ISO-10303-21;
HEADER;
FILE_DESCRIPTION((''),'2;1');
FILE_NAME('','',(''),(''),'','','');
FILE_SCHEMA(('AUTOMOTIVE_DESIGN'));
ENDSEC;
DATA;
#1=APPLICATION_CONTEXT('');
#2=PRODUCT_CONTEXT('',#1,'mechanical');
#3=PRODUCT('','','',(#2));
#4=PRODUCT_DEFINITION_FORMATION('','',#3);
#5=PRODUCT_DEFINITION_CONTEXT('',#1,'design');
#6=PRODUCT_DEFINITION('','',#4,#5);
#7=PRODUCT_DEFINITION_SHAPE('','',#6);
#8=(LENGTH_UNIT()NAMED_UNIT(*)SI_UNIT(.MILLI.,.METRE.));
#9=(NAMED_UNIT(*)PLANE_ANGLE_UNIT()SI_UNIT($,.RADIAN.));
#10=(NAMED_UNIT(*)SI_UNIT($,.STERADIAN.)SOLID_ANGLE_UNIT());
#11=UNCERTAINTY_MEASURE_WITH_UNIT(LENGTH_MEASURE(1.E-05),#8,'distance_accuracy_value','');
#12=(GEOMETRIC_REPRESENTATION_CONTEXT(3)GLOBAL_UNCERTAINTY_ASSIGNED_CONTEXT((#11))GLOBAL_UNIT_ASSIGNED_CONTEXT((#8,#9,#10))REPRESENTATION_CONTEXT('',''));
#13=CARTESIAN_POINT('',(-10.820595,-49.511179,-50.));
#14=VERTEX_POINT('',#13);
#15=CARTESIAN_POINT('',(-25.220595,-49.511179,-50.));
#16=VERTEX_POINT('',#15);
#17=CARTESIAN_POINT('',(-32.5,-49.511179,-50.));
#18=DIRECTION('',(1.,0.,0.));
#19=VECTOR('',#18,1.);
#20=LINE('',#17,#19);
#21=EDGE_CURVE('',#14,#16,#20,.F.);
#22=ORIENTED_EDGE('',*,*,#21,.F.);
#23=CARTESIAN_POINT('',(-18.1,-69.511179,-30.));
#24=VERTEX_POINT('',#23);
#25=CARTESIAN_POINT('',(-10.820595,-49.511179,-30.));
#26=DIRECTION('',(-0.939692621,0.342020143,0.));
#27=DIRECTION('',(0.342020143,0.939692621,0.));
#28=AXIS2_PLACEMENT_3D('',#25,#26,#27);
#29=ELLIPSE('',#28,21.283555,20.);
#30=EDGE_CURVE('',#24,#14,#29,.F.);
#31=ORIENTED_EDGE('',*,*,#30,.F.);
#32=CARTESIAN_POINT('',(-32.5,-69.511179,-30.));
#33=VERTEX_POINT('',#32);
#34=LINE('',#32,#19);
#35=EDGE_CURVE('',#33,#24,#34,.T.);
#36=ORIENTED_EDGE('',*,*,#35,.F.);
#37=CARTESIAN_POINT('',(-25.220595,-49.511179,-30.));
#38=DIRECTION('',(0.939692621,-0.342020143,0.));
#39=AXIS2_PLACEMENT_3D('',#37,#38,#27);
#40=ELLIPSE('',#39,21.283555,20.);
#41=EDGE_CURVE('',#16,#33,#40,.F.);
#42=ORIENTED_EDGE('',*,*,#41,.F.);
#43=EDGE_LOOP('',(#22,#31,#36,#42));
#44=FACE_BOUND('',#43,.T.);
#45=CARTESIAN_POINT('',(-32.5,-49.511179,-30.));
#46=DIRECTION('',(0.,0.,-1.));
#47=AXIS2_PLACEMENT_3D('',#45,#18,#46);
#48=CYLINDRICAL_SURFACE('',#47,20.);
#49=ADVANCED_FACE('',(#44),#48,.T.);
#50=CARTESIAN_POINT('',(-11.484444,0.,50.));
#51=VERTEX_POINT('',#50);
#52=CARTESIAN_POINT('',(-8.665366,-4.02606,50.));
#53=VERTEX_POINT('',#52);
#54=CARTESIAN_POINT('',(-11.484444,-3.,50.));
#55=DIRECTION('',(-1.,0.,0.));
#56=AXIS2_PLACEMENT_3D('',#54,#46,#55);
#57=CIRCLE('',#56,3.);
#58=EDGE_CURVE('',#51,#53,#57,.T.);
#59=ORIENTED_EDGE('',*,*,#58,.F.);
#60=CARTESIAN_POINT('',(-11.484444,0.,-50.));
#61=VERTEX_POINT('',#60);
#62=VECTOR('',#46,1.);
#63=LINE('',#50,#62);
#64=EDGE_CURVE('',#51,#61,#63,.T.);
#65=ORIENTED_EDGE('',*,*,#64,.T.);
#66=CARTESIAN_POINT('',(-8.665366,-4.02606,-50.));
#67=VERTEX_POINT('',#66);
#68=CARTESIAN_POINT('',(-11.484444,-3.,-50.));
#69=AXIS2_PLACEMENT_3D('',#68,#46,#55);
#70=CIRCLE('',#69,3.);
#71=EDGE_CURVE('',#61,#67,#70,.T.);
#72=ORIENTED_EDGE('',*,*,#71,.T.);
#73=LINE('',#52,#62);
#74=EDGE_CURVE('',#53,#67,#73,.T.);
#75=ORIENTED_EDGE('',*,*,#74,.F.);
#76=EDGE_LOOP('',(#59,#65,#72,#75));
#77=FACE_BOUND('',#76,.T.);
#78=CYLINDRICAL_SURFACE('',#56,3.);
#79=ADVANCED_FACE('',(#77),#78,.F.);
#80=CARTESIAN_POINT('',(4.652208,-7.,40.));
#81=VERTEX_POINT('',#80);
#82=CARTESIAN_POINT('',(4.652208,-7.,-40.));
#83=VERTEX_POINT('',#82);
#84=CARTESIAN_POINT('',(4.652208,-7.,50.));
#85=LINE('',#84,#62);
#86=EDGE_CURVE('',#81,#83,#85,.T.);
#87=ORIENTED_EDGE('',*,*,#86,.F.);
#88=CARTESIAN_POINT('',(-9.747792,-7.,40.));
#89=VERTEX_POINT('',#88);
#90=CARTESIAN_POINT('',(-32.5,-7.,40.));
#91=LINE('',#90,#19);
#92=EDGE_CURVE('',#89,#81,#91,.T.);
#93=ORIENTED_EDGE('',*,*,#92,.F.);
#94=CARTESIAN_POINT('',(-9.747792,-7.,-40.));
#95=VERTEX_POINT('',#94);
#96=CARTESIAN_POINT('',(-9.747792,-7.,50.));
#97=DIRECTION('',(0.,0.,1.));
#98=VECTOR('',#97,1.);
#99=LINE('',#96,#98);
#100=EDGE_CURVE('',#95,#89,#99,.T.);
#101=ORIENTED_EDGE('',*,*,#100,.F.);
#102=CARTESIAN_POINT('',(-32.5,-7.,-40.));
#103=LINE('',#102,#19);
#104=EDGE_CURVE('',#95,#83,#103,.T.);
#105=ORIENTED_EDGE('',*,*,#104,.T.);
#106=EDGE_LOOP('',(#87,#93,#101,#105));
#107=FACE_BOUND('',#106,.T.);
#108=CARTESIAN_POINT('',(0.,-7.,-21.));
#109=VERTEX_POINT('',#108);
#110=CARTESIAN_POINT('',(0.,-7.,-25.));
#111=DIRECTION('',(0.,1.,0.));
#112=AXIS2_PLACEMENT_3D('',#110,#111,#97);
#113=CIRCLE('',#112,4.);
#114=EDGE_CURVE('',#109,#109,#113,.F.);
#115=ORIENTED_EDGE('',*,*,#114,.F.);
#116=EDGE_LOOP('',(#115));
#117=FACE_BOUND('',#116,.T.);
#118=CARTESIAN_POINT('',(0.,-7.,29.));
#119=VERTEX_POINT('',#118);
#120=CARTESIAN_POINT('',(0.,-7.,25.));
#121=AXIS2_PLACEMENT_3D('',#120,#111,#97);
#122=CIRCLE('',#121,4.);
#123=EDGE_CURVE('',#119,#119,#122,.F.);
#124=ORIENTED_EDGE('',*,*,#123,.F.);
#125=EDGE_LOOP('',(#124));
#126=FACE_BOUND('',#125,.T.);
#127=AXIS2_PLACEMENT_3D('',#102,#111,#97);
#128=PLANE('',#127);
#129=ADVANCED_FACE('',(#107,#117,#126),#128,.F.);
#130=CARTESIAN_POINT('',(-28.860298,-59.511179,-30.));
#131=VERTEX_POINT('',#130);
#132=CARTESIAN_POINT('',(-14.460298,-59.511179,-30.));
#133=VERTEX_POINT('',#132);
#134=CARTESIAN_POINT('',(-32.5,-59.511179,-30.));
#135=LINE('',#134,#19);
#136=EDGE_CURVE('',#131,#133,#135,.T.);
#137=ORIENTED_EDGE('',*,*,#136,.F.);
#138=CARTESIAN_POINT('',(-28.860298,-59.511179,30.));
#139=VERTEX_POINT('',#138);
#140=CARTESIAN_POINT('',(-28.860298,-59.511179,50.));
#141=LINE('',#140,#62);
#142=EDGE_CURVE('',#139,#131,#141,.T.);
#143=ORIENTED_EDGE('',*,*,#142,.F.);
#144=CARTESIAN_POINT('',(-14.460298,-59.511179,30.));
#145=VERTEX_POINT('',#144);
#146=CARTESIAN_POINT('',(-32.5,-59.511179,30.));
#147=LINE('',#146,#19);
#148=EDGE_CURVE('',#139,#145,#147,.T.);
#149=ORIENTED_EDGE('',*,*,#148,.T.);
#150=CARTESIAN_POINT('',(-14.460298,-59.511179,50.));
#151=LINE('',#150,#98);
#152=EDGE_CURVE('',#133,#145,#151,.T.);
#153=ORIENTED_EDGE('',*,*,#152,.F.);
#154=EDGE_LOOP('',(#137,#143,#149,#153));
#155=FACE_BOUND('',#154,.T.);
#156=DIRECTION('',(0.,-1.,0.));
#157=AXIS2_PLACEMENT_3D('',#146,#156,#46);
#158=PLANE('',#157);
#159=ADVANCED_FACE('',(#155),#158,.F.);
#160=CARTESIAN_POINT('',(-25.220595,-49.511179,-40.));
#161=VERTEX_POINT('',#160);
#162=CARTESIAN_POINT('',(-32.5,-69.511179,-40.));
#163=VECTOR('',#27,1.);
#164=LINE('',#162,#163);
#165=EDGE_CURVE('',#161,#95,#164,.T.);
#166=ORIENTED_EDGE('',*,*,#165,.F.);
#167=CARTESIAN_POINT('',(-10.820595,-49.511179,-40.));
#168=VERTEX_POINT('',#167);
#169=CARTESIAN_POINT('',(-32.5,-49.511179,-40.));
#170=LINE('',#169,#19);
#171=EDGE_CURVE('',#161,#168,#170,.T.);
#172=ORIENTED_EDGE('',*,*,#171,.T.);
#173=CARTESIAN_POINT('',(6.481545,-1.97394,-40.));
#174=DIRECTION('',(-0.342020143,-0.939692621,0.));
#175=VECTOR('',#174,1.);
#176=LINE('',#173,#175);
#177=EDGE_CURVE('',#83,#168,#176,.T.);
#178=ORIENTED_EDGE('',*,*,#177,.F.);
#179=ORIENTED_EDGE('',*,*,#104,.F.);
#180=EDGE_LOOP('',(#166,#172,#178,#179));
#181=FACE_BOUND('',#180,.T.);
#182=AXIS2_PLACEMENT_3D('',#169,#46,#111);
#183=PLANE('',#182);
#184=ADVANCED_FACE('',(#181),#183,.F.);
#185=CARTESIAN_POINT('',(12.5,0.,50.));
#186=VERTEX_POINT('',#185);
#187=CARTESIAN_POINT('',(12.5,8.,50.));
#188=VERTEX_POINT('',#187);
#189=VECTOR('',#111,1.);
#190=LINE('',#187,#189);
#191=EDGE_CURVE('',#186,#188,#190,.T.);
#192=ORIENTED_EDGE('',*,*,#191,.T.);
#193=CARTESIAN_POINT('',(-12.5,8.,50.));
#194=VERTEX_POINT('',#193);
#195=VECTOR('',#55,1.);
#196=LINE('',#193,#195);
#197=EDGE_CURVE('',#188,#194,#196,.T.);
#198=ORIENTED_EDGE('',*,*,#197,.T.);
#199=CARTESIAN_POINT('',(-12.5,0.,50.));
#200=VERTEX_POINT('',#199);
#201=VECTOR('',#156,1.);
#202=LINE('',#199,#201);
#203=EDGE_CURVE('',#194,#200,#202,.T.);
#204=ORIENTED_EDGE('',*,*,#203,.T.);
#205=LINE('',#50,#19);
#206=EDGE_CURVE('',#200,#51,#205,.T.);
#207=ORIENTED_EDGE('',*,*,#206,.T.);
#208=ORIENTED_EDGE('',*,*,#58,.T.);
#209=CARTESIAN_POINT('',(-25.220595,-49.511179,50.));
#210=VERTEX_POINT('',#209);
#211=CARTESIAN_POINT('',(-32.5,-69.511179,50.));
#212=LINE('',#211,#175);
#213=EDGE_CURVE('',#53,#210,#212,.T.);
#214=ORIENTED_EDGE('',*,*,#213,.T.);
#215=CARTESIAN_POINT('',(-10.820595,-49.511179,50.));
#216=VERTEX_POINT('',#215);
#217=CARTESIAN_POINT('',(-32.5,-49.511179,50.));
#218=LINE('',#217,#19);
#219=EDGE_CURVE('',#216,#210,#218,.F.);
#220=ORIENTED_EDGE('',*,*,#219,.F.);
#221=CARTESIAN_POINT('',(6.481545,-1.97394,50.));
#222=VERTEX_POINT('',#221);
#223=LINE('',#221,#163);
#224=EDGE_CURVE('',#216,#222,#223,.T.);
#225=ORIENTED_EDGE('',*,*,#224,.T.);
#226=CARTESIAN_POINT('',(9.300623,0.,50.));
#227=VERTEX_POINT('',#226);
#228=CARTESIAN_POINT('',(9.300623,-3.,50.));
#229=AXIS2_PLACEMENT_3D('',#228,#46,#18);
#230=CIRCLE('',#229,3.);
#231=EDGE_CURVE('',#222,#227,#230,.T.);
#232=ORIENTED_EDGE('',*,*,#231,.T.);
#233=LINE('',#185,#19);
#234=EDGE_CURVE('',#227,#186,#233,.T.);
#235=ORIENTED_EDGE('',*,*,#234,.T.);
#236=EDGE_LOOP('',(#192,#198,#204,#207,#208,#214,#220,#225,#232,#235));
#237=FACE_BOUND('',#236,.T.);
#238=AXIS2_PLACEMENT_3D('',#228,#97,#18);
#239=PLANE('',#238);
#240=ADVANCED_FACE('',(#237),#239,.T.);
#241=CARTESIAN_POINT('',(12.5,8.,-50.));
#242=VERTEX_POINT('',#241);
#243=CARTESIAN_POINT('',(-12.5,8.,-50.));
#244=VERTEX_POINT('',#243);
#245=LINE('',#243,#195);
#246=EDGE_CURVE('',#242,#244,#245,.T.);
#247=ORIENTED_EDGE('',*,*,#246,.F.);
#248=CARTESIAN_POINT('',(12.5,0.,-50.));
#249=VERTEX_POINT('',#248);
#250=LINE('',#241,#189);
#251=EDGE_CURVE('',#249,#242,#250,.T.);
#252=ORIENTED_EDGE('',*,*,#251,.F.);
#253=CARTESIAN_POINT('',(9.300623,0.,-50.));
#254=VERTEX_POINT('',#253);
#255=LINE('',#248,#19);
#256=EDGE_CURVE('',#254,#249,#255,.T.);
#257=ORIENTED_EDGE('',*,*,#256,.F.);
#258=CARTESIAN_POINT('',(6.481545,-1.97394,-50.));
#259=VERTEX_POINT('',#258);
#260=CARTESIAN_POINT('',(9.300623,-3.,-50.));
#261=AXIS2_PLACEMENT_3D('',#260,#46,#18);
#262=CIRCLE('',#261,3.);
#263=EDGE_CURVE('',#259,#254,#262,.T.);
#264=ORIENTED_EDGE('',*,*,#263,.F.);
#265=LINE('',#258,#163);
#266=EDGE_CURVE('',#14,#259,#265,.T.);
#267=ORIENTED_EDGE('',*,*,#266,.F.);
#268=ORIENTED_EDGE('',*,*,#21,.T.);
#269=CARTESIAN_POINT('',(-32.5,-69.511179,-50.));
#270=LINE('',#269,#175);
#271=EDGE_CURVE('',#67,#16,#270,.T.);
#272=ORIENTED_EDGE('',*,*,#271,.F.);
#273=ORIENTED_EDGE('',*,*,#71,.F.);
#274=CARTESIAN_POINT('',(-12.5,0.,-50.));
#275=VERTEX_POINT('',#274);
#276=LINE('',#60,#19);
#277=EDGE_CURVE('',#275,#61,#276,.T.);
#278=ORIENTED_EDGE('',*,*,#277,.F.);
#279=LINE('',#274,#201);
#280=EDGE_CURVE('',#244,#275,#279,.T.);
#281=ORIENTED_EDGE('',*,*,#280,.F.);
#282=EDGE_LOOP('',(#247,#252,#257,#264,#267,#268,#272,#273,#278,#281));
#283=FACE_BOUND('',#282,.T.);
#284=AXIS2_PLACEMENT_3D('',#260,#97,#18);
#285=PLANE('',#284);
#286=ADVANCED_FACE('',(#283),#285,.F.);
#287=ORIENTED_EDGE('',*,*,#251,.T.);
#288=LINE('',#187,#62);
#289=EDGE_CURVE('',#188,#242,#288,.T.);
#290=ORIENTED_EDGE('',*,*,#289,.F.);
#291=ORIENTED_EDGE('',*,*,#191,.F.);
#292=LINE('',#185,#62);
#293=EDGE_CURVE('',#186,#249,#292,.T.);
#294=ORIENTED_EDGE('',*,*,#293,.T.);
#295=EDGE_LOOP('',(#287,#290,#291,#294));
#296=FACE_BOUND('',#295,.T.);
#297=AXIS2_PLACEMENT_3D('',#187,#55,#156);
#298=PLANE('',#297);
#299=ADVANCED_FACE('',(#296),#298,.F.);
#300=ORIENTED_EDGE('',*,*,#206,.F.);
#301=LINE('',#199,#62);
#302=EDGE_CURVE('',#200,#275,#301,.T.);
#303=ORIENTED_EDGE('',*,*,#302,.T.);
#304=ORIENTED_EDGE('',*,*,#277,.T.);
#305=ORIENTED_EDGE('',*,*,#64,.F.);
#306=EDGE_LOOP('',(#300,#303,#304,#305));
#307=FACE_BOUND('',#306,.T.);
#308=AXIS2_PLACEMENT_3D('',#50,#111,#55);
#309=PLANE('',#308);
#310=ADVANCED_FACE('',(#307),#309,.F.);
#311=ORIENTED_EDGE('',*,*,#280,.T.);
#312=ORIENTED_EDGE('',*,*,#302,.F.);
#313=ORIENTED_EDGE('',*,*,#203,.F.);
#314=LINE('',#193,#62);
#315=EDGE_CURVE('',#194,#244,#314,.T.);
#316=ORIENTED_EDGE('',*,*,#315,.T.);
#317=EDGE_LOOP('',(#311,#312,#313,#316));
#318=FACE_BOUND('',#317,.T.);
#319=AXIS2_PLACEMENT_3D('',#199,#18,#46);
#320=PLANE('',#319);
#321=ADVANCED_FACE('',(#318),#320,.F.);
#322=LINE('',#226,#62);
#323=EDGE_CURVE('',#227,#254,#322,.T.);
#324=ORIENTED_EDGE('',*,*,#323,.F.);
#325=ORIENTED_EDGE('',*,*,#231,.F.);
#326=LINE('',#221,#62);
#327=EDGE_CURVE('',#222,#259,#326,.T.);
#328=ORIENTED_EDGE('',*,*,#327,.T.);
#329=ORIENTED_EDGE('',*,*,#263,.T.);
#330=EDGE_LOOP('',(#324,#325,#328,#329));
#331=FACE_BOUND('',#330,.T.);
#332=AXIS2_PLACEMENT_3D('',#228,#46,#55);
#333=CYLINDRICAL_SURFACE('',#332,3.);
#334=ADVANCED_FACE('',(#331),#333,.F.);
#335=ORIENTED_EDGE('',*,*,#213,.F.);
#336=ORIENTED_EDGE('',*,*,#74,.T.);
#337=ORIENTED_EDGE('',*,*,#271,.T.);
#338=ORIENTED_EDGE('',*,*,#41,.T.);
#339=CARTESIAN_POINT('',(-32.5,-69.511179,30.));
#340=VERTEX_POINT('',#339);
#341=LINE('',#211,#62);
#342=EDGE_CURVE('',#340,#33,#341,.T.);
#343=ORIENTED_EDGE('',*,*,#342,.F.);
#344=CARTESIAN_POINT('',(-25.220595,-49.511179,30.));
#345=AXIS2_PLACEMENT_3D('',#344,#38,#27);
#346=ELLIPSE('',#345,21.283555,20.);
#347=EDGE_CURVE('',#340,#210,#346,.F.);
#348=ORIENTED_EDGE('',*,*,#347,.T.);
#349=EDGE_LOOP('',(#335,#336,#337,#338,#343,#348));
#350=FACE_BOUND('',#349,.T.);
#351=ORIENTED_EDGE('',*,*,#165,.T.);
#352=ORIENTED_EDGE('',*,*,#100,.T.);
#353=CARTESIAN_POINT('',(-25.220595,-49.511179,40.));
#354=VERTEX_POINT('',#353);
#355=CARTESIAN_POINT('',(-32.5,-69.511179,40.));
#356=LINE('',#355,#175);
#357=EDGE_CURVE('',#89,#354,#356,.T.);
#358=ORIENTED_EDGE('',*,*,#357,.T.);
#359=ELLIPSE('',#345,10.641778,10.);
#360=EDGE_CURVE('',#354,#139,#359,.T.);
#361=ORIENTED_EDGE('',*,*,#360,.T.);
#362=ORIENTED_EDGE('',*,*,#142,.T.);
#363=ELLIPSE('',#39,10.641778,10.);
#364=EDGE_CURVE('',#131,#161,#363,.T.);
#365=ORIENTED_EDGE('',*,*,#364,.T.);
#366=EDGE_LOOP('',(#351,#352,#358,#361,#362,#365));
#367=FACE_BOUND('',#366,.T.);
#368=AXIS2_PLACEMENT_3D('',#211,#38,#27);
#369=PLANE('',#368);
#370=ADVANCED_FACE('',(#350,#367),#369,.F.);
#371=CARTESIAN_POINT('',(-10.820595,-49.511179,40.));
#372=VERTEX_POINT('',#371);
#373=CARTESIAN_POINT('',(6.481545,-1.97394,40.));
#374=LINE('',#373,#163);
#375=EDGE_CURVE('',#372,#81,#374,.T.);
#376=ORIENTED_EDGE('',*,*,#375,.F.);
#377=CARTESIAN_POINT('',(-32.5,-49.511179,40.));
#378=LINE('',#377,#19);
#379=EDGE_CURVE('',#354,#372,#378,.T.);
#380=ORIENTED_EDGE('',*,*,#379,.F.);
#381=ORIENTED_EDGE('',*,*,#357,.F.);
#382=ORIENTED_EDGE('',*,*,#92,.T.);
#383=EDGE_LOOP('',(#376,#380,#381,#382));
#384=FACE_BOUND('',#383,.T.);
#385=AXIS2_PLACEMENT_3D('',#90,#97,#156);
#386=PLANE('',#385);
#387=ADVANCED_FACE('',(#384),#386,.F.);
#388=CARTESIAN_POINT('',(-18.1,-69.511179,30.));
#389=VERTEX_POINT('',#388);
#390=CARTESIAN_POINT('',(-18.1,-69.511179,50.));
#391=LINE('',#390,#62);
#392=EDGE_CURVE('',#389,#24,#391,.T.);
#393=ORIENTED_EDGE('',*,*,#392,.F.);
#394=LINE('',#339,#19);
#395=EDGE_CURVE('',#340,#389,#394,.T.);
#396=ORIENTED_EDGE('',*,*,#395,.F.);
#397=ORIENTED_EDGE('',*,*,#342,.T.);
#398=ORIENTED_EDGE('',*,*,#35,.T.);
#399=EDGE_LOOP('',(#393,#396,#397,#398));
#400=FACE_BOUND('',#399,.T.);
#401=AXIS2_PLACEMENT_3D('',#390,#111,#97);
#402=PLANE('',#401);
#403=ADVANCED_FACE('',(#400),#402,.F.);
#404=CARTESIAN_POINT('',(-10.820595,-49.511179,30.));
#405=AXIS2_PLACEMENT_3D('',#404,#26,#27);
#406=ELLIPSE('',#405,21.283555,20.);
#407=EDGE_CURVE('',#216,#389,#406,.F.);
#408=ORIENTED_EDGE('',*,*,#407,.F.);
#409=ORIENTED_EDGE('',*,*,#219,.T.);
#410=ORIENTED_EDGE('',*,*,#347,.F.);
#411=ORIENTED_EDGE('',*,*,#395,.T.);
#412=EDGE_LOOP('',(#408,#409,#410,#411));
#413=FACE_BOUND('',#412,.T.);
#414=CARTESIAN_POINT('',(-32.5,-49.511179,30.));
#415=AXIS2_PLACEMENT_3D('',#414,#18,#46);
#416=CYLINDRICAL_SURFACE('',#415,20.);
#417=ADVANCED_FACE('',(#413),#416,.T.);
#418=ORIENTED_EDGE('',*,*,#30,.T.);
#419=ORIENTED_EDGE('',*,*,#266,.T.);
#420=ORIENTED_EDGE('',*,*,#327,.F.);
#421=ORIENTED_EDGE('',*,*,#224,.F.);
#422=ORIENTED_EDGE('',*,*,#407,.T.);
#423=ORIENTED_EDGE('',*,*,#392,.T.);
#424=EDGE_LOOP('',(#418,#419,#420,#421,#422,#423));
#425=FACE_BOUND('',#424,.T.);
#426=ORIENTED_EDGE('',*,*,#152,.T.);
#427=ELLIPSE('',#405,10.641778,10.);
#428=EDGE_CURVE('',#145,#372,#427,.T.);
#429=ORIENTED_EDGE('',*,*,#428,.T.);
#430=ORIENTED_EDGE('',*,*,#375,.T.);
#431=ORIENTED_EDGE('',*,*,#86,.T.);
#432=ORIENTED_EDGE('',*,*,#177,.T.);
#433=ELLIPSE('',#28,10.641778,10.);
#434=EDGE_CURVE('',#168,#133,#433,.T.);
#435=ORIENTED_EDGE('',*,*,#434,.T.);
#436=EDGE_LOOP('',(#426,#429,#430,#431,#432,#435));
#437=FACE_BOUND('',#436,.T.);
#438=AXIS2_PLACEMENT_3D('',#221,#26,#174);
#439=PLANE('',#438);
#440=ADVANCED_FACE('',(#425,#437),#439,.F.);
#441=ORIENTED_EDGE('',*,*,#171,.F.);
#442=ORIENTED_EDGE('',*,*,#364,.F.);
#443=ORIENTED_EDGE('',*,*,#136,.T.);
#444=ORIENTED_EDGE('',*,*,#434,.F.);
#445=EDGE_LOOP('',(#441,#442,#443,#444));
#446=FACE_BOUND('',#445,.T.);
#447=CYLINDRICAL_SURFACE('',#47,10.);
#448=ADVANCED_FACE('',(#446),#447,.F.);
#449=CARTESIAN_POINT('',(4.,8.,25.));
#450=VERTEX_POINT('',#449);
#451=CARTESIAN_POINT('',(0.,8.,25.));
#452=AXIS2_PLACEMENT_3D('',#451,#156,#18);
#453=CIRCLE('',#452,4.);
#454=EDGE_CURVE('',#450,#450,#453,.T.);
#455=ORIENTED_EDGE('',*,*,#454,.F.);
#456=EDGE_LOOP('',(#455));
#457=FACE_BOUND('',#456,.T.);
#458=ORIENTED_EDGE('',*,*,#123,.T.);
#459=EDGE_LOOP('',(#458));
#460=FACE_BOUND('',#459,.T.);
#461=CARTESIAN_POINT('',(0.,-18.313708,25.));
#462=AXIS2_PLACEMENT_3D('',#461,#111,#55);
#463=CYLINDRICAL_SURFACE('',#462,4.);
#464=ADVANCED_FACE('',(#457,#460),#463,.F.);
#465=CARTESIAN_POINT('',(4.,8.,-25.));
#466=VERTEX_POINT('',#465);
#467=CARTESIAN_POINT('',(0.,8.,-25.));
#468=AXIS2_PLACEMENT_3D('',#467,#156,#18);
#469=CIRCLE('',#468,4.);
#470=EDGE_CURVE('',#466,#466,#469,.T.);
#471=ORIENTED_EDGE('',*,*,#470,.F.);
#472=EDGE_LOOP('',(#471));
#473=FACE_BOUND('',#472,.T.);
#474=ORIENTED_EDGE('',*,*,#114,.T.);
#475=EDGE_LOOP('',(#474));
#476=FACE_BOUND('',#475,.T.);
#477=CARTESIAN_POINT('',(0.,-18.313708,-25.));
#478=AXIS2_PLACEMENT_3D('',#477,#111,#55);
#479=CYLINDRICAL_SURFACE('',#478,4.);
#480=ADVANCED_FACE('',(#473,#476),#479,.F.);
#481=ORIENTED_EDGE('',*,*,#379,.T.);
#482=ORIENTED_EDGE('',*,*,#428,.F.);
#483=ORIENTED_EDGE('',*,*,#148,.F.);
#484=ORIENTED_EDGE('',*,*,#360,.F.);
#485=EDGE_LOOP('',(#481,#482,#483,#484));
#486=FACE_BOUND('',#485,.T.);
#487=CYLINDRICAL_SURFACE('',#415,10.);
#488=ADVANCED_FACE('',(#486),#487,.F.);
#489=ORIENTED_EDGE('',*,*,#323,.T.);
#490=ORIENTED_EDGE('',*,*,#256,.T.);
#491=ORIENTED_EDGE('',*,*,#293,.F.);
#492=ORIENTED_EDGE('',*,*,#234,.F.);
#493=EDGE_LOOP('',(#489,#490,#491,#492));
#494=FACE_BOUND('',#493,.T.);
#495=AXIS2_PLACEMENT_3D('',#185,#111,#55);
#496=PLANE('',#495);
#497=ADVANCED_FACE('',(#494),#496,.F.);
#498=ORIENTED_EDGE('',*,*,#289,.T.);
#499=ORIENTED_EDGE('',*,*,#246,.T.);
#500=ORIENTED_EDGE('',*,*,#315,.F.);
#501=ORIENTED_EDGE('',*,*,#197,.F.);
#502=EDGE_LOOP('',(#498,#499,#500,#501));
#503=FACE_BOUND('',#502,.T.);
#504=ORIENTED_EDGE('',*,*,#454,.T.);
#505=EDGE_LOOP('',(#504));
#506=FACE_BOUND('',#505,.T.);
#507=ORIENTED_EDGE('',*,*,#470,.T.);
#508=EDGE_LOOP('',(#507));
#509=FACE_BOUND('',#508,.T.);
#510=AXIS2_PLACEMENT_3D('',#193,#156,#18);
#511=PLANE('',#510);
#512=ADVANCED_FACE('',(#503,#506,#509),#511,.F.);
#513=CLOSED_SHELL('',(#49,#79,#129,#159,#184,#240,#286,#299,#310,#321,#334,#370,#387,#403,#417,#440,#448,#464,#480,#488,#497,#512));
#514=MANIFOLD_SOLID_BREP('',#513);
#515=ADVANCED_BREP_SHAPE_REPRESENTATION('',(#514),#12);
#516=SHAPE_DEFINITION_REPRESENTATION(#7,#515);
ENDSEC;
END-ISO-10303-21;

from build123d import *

# Parameters (mm, degrees)
BOSS_EXTRUDE1_DEPTH     = 50
CUT_EXTRUDE1_DEPTH      = 92.586319753
CUT_EXTRUDE1_DEPTH_BACK = 92.586319753
CUT_EXTRUDE2_DEPTH      = 98.796895786
CUT_EXTRUDE2_DEPTH_BACK = 15
SKETCH3_R               = 4


with BuildPart() as part:
    # Sketch1 → Boss-Extrude1 (new, symmetric)
    with BuildSketch(Plane.XY):
        with BuildLine():
            Line((-11.48444402, 0), (-12.5, 0))
            Line((-12.5, 0), (-12.5, 8))
            Line((-12.5, 8), (12.5, 8))
            Line((12.5, 8), (12.5, 0))
            Line((12.5, 0), (9.300622615, 0))
            ThreePointArc((9.300622615, 0), (7.579893306, -0.542543867), (6.481544752, -1.97393957))
            Line((6.481544752, -1.97393957), (-18.1, -69.511178712))
            Line((-18.1, -69.511178712), (-32.5, -69.511178712))
            Line((-32.5, -69.511178712), (-8.665366158, -4.02606043))
            ThreePointArc((-8.665366158, -4.02606043), (-9.026987887, -1.279270691), (-11.48444402, 0))
        make_face()
    extrude(amount=BOSS_EXTRUDE1_DEPTH, both=True)

    # Sketch2 → Cut-Extrude1 (cut, two sides: drawn at the far end of the back side and taken through both)
    with BuildSketch(Plane(origin=(0, 0, 0), x_dir=(0, 0, -1), z_dir=(1, 0, 0)).offset(-CUT_EXTRUDE1_DEPTH_BACK)):
        with BuildLine():
            Line((40, -7), (-40, -7))
            Line((-40, -7), (-40, -49.511178712))
            ThreePointArc((-40, -49.511178712), (-37.071067812, -56.582246524), (-30, -59.511178712))
            Line((-30, -59.511178712), (30, -59.511178712))
            ThreePointArc((30, -59.511178712), (37.071067812, -56.582246524), (40, -49.511178712))
            Line((40, -49.511178712), (40, -7))
        make_face()
        with BuildLine():
            Line((-50, -49.511178712), (-50, -69.511178712))
            Line((-50, -69.511178712), (-30, -69.511178712))
            ThreePointArc((-30, -69.511178712), (-44.142135624, -63.653314336), (-50, -49.511178712))
        make_face()
        with BuildLine():
            Line((50, -49.511178712), (50, -69.511178712))
            Line((50, -69.511178712), (30, -69.511178712))
            ThreePointArc((30, -69.511178712), (44.142135624, -63.653314336), (50, -49.511178712))
        make_face()
    extrude(amount=CUT_EXTRUDE1_DEPTH + CUT_EXTRUDE1_DEPTH_BACK, mode=Mode.SUBTRACT)

    # Sketch3 → Cut-Extrude2 (cut, two sides: drawn at the far end of the back side and taken through both)
    with BuildSketch(Plane(origin=(0, 8, 0), x_dir=(1, 0, 0), z_dir=(0, 1, 0)).offset(-CUT_EXTRUDE2_DEPTH_BACK)):
        with Locations(Location((0, -25, 0), (0, 0, 270))):
            Circle(SKETCH3_R)
        with Locations(Location((0, 25, 0), (0, 0, 270))):
            Circle(SKETCH3_R)
    extrude(amount=CUT_EXTRUDE2_DEPTH + CUT_EXTRUDE2_DEPTH_BACK, mode=Mode.SUBTRACT)


solid = part.part
